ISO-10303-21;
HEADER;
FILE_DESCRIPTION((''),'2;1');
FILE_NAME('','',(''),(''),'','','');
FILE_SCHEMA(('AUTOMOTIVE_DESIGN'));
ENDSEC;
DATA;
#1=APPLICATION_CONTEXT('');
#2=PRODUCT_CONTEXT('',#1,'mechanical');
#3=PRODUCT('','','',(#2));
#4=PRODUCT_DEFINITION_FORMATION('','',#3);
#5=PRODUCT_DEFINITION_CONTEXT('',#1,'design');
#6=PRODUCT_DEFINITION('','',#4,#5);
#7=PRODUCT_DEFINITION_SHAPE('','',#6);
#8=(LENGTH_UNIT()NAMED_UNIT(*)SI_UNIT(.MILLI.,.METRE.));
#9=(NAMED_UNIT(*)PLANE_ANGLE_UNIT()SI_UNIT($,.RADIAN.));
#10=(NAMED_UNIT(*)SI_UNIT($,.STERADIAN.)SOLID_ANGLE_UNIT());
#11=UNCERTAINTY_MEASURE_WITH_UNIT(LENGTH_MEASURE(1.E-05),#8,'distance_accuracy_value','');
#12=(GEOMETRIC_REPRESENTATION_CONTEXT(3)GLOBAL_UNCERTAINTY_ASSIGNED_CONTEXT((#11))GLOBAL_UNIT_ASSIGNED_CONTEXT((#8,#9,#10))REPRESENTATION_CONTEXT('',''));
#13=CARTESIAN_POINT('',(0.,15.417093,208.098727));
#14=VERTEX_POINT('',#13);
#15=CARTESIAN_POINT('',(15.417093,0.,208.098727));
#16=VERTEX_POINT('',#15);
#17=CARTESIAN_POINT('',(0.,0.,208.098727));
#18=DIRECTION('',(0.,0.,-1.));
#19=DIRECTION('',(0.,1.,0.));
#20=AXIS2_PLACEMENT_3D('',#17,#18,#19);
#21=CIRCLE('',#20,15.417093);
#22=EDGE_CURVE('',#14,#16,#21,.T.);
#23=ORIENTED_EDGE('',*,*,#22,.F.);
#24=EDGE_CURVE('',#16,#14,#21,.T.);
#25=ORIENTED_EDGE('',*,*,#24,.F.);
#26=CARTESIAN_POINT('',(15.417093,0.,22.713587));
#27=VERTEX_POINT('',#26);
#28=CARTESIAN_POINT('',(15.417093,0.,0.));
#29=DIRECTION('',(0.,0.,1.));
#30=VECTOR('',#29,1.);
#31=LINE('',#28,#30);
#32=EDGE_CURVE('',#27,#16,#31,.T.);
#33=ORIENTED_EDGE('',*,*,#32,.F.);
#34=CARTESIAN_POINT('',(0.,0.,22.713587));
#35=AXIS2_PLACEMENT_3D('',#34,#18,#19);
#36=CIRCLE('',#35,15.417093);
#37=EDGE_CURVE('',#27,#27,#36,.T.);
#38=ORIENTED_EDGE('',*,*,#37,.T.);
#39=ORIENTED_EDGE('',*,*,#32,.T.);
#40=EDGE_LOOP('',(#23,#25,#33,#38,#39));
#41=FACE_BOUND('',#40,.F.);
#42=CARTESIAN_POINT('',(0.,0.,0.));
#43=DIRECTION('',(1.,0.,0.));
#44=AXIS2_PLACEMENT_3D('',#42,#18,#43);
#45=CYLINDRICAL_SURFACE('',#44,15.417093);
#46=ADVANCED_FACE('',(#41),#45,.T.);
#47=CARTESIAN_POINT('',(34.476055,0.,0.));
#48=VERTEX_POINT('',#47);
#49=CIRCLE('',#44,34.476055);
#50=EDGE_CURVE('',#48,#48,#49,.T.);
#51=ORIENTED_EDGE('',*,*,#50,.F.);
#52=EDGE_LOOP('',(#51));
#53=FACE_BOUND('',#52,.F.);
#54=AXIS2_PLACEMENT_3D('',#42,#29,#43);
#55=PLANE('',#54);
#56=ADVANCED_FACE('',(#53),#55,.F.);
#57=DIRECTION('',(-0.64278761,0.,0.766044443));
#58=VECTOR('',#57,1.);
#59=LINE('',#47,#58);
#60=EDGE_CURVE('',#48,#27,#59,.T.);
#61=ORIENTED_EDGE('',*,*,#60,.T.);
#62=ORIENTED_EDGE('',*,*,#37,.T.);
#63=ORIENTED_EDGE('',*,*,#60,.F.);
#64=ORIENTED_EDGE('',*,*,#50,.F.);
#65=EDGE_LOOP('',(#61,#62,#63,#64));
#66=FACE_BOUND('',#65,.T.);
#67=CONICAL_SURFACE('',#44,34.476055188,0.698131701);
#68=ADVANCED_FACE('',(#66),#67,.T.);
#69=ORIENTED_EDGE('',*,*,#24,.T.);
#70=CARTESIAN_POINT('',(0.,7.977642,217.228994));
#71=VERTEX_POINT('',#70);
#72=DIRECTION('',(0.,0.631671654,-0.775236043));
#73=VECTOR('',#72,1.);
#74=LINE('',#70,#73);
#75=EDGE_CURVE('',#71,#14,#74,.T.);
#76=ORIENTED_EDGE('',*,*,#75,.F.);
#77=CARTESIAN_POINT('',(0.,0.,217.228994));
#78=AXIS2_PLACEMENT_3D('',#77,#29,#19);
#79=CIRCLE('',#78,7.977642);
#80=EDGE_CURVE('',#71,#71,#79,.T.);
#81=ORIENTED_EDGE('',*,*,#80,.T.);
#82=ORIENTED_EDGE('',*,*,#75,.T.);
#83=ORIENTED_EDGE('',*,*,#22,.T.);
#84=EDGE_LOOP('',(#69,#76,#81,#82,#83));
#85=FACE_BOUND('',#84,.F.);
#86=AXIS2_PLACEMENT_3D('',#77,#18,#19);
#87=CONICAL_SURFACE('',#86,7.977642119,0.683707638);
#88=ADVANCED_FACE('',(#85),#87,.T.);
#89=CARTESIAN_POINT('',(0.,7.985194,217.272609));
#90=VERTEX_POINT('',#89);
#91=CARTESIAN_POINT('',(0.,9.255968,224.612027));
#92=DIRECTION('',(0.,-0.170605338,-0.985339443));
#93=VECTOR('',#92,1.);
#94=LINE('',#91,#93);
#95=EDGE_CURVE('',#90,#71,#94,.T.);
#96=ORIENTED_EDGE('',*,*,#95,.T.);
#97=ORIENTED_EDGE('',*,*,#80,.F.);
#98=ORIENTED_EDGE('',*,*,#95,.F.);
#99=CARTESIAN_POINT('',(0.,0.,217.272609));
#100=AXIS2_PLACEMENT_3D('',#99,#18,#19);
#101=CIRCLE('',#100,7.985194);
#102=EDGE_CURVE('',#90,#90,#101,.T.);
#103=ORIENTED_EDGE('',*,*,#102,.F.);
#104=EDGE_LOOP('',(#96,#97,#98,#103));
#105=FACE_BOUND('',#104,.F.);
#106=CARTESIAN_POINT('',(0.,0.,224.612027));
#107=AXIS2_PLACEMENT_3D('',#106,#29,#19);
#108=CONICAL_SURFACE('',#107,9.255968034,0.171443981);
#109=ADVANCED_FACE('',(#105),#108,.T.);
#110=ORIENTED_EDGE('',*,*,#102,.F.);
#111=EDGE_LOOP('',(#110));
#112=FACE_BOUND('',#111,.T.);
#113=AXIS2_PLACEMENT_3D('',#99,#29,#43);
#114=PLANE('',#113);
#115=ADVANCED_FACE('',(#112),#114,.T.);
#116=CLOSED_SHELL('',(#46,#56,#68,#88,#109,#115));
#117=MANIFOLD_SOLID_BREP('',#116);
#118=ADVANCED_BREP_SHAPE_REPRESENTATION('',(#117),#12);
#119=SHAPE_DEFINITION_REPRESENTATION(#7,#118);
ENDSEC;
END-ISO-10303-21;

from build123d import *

# Parameters (mm, degrees)
F0_R     = 34.4760551883
F1_DEPTH = 25.4
F1_TAPER = 40
F2_R     = 15.4170929596
F3_DEPTH = 217.2726094723


with BuildPart() as f1:
    # F0 (on Top) → F1 (new body)
    with BuildSketch(Plane.XY):
        Circle(F0_R)
    extrude(amount=F1_DEPTH, taper=F1_TAPER)

    # F2 (on Top) → F3 (join)
    with BuildSketch(Plane.XY):
        Circle(F2_R)
    extrude(amount=F3_DEPTH)

    # F4 (on Right) → F5 (revolve, cut)
    with BuildSketch(Plane.YZ):
        Polygon((9.2559680343, 224.6120274067), (7.9776421189, 217.2289937735), (15.5677124858, 207.9138755798), (24.6758013964, 207.9138755798), (24.6758013964, 224.6120274067), align=None)
    revolve(axis=Axis((0, 0, 227.7240306139), (0, 0, 1)), mode=Mode.SUBTRACT)


solid = f1.part
